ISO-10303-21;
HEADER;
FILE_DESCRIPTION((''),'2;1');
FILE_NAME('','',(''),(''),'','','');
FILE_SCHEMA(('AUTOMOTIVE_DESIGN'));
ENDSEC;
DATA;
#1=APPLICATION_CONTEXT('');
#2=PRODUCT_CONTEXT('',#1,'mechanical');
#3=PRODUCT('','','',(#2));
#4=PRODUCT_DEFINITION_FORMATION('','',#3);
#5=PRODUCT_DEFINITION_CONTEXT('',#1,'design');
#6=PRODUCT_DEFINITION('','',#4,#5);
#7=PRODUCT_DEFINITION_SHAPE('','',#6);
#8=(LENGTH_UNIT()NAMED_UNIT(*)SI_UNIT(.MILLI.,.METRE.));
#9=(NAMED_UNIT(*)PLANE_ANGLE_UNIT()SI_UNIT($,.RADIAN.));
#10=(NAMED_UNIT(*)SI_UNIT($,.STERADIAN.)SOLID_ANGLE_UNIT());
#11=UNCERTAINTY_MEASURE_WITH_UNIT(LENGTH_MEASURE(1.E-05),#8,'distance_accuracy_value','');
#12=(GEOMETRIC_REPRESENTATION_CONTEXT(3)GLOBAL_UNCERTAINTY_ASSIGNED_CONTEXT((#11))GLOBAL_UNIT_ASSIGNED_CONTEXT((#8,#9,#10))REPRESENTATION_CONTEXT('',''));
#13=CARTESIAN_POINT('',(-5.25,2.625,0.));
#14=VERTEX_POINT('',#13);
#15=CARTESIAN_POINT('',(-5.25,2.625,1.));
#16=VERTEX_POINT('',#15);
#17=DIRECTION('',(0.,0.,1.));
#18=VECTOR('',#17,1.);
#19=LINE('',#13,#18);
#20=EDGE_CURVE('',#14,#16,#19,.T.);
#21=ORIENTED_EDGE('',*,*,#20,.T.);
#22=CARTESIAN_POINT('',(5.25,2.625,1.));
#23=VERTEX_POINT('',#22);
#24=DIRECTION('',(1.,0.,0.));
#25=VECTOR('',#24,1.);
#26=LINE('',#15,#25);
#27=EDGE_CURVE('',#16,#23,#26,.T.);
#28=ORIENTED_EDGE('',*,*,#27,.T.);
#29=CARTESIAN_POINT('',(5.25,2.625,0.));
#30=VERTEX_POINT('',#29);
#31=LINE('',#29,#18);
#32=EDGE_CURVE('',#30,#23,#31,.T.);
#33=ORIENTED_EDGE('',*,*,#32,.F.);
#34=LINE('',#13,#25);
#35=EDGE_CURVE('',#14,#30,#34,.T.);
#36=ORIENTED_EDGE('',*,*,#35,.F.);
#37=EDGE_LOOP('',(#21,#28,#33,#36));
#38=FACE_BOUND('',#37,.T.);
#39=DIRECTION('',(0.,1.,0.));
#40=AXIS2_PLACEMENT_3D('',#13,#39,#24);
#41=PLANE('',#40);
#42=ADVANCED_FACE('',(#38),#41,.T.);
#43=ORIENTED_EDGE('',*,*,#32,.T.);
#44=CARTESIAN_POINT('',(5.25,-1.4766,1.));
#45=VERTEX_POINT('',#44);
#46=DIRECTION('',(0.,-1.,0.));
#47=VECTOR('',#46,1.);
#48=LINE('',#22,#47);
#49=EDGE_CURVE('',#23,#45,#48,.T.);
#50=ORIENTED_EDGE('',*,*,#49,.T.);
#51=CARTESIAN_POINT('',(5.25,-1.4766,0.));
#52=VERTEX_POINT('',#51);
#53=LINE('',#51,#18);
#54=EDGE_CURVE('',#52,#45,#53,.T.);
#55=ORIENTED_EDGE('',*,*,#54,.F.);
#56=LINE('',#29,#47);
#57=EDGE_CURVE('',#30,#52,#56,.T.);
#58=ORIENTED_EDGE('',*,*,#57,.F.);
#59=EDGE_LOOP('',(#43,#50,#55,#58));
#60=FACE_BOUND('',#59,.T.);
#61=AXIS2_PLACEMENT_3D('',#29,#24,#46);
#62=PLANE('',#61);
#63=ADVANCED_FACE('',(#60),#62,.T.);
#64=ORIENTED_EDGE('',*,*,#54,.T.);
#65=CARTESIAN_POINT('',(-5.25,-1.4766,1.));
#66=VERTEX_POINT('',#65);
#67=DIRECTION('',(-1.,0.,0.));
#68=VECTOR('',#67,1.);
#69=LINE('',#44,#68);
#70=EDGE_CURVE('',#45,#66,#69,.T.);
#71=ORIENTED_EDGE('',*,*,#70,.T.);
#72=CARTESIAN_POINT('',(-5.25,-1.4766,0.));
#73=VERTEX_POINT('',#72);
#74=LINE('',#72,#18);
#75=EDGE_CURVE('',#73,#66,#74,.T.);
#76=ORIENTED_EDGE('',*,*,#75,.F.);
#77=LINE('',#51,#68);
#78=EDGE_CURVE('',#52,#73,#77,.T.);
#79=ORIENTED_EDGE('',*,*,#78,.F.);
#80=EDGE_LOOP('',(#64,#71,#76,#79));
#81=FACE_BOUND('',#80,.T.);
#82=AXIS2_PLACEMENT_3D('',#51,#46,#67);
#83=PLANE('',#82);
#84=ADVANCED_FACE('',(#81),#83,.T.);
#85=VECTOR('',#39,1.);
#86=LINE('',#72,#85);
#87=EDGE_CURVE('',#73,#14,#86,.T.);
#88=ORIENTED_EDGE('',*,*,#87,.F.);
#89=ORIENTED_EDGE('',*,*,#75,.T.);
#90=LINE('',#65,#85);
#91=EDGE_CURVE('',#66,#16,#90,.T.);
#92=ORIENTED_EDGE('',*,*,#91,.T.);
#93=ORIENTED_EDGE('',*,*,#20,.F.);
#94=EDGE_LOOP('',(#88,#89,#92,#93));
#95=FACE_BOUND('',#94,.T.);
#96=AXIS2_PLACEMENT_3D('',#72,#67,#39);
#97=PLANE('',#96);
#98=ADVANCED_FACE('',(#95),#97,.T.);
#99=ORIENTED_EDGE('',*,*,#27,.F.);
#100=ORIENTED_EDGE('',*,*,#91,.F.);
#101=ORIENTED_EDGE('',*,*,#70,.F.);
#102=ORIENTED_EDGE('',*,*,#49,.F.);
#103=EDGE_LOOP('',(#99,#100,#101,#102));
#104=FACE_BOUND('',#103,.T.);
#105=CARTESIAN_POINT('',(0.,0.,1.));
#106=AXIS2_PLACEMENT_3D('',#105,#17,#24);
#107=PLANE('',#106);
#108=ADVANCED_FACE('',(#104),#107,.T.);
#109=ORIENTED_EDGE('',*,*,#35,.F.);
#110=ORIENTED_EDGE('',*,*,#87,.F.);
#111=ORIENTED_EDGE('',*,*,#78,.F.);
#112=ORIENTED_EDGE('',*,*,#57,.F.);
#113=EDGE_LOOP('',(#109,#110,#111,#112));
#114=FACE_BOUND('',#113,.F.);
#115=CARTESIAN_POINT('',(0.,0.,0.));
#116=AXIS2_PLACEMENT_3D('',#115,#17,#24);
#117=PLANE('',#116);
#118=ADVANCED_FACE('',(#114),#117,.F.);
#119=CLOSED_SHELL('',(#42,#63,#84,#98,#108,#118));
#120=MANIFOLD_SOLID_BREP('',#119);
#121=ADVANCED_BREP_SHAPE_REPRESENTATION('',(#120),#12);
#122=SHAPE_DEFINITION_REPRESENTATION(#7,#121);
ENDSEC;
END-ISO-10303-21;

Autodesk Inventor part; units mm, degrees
ref_plane "YZ Plane" through (0, 0, 0) normal (1, 0, 0) x (0, 1, 0)
ref_plane "XZ Plane" through (0, 0, 0) normal (0, 1, 0) x (-1, 0, 0)
ref_plane "XY Plane" through (0, 0, 0) normal (0, 0, 1) x (1, 0, 0)
sketch "53261-04, 53261-04_17" plane through (0, 0, 0) normal (0, 0, 1) x (1, 0, 0)
  line L0 (-5.25, 2.625) -> (5.25, 2.625)
  line L1 (5.25, 2.625) -> (5.25, -1.4766)
  line L2 (5.25, -1.4766) -> (-5.25, -1.4766)
  line L3 (-5.25, -1.4766) -> (-5.25, 2.625)
extrude "Extrusion1" add sketch "53261-04, 53261-04_17" along normal blind 1
properties part number "53261-04"
